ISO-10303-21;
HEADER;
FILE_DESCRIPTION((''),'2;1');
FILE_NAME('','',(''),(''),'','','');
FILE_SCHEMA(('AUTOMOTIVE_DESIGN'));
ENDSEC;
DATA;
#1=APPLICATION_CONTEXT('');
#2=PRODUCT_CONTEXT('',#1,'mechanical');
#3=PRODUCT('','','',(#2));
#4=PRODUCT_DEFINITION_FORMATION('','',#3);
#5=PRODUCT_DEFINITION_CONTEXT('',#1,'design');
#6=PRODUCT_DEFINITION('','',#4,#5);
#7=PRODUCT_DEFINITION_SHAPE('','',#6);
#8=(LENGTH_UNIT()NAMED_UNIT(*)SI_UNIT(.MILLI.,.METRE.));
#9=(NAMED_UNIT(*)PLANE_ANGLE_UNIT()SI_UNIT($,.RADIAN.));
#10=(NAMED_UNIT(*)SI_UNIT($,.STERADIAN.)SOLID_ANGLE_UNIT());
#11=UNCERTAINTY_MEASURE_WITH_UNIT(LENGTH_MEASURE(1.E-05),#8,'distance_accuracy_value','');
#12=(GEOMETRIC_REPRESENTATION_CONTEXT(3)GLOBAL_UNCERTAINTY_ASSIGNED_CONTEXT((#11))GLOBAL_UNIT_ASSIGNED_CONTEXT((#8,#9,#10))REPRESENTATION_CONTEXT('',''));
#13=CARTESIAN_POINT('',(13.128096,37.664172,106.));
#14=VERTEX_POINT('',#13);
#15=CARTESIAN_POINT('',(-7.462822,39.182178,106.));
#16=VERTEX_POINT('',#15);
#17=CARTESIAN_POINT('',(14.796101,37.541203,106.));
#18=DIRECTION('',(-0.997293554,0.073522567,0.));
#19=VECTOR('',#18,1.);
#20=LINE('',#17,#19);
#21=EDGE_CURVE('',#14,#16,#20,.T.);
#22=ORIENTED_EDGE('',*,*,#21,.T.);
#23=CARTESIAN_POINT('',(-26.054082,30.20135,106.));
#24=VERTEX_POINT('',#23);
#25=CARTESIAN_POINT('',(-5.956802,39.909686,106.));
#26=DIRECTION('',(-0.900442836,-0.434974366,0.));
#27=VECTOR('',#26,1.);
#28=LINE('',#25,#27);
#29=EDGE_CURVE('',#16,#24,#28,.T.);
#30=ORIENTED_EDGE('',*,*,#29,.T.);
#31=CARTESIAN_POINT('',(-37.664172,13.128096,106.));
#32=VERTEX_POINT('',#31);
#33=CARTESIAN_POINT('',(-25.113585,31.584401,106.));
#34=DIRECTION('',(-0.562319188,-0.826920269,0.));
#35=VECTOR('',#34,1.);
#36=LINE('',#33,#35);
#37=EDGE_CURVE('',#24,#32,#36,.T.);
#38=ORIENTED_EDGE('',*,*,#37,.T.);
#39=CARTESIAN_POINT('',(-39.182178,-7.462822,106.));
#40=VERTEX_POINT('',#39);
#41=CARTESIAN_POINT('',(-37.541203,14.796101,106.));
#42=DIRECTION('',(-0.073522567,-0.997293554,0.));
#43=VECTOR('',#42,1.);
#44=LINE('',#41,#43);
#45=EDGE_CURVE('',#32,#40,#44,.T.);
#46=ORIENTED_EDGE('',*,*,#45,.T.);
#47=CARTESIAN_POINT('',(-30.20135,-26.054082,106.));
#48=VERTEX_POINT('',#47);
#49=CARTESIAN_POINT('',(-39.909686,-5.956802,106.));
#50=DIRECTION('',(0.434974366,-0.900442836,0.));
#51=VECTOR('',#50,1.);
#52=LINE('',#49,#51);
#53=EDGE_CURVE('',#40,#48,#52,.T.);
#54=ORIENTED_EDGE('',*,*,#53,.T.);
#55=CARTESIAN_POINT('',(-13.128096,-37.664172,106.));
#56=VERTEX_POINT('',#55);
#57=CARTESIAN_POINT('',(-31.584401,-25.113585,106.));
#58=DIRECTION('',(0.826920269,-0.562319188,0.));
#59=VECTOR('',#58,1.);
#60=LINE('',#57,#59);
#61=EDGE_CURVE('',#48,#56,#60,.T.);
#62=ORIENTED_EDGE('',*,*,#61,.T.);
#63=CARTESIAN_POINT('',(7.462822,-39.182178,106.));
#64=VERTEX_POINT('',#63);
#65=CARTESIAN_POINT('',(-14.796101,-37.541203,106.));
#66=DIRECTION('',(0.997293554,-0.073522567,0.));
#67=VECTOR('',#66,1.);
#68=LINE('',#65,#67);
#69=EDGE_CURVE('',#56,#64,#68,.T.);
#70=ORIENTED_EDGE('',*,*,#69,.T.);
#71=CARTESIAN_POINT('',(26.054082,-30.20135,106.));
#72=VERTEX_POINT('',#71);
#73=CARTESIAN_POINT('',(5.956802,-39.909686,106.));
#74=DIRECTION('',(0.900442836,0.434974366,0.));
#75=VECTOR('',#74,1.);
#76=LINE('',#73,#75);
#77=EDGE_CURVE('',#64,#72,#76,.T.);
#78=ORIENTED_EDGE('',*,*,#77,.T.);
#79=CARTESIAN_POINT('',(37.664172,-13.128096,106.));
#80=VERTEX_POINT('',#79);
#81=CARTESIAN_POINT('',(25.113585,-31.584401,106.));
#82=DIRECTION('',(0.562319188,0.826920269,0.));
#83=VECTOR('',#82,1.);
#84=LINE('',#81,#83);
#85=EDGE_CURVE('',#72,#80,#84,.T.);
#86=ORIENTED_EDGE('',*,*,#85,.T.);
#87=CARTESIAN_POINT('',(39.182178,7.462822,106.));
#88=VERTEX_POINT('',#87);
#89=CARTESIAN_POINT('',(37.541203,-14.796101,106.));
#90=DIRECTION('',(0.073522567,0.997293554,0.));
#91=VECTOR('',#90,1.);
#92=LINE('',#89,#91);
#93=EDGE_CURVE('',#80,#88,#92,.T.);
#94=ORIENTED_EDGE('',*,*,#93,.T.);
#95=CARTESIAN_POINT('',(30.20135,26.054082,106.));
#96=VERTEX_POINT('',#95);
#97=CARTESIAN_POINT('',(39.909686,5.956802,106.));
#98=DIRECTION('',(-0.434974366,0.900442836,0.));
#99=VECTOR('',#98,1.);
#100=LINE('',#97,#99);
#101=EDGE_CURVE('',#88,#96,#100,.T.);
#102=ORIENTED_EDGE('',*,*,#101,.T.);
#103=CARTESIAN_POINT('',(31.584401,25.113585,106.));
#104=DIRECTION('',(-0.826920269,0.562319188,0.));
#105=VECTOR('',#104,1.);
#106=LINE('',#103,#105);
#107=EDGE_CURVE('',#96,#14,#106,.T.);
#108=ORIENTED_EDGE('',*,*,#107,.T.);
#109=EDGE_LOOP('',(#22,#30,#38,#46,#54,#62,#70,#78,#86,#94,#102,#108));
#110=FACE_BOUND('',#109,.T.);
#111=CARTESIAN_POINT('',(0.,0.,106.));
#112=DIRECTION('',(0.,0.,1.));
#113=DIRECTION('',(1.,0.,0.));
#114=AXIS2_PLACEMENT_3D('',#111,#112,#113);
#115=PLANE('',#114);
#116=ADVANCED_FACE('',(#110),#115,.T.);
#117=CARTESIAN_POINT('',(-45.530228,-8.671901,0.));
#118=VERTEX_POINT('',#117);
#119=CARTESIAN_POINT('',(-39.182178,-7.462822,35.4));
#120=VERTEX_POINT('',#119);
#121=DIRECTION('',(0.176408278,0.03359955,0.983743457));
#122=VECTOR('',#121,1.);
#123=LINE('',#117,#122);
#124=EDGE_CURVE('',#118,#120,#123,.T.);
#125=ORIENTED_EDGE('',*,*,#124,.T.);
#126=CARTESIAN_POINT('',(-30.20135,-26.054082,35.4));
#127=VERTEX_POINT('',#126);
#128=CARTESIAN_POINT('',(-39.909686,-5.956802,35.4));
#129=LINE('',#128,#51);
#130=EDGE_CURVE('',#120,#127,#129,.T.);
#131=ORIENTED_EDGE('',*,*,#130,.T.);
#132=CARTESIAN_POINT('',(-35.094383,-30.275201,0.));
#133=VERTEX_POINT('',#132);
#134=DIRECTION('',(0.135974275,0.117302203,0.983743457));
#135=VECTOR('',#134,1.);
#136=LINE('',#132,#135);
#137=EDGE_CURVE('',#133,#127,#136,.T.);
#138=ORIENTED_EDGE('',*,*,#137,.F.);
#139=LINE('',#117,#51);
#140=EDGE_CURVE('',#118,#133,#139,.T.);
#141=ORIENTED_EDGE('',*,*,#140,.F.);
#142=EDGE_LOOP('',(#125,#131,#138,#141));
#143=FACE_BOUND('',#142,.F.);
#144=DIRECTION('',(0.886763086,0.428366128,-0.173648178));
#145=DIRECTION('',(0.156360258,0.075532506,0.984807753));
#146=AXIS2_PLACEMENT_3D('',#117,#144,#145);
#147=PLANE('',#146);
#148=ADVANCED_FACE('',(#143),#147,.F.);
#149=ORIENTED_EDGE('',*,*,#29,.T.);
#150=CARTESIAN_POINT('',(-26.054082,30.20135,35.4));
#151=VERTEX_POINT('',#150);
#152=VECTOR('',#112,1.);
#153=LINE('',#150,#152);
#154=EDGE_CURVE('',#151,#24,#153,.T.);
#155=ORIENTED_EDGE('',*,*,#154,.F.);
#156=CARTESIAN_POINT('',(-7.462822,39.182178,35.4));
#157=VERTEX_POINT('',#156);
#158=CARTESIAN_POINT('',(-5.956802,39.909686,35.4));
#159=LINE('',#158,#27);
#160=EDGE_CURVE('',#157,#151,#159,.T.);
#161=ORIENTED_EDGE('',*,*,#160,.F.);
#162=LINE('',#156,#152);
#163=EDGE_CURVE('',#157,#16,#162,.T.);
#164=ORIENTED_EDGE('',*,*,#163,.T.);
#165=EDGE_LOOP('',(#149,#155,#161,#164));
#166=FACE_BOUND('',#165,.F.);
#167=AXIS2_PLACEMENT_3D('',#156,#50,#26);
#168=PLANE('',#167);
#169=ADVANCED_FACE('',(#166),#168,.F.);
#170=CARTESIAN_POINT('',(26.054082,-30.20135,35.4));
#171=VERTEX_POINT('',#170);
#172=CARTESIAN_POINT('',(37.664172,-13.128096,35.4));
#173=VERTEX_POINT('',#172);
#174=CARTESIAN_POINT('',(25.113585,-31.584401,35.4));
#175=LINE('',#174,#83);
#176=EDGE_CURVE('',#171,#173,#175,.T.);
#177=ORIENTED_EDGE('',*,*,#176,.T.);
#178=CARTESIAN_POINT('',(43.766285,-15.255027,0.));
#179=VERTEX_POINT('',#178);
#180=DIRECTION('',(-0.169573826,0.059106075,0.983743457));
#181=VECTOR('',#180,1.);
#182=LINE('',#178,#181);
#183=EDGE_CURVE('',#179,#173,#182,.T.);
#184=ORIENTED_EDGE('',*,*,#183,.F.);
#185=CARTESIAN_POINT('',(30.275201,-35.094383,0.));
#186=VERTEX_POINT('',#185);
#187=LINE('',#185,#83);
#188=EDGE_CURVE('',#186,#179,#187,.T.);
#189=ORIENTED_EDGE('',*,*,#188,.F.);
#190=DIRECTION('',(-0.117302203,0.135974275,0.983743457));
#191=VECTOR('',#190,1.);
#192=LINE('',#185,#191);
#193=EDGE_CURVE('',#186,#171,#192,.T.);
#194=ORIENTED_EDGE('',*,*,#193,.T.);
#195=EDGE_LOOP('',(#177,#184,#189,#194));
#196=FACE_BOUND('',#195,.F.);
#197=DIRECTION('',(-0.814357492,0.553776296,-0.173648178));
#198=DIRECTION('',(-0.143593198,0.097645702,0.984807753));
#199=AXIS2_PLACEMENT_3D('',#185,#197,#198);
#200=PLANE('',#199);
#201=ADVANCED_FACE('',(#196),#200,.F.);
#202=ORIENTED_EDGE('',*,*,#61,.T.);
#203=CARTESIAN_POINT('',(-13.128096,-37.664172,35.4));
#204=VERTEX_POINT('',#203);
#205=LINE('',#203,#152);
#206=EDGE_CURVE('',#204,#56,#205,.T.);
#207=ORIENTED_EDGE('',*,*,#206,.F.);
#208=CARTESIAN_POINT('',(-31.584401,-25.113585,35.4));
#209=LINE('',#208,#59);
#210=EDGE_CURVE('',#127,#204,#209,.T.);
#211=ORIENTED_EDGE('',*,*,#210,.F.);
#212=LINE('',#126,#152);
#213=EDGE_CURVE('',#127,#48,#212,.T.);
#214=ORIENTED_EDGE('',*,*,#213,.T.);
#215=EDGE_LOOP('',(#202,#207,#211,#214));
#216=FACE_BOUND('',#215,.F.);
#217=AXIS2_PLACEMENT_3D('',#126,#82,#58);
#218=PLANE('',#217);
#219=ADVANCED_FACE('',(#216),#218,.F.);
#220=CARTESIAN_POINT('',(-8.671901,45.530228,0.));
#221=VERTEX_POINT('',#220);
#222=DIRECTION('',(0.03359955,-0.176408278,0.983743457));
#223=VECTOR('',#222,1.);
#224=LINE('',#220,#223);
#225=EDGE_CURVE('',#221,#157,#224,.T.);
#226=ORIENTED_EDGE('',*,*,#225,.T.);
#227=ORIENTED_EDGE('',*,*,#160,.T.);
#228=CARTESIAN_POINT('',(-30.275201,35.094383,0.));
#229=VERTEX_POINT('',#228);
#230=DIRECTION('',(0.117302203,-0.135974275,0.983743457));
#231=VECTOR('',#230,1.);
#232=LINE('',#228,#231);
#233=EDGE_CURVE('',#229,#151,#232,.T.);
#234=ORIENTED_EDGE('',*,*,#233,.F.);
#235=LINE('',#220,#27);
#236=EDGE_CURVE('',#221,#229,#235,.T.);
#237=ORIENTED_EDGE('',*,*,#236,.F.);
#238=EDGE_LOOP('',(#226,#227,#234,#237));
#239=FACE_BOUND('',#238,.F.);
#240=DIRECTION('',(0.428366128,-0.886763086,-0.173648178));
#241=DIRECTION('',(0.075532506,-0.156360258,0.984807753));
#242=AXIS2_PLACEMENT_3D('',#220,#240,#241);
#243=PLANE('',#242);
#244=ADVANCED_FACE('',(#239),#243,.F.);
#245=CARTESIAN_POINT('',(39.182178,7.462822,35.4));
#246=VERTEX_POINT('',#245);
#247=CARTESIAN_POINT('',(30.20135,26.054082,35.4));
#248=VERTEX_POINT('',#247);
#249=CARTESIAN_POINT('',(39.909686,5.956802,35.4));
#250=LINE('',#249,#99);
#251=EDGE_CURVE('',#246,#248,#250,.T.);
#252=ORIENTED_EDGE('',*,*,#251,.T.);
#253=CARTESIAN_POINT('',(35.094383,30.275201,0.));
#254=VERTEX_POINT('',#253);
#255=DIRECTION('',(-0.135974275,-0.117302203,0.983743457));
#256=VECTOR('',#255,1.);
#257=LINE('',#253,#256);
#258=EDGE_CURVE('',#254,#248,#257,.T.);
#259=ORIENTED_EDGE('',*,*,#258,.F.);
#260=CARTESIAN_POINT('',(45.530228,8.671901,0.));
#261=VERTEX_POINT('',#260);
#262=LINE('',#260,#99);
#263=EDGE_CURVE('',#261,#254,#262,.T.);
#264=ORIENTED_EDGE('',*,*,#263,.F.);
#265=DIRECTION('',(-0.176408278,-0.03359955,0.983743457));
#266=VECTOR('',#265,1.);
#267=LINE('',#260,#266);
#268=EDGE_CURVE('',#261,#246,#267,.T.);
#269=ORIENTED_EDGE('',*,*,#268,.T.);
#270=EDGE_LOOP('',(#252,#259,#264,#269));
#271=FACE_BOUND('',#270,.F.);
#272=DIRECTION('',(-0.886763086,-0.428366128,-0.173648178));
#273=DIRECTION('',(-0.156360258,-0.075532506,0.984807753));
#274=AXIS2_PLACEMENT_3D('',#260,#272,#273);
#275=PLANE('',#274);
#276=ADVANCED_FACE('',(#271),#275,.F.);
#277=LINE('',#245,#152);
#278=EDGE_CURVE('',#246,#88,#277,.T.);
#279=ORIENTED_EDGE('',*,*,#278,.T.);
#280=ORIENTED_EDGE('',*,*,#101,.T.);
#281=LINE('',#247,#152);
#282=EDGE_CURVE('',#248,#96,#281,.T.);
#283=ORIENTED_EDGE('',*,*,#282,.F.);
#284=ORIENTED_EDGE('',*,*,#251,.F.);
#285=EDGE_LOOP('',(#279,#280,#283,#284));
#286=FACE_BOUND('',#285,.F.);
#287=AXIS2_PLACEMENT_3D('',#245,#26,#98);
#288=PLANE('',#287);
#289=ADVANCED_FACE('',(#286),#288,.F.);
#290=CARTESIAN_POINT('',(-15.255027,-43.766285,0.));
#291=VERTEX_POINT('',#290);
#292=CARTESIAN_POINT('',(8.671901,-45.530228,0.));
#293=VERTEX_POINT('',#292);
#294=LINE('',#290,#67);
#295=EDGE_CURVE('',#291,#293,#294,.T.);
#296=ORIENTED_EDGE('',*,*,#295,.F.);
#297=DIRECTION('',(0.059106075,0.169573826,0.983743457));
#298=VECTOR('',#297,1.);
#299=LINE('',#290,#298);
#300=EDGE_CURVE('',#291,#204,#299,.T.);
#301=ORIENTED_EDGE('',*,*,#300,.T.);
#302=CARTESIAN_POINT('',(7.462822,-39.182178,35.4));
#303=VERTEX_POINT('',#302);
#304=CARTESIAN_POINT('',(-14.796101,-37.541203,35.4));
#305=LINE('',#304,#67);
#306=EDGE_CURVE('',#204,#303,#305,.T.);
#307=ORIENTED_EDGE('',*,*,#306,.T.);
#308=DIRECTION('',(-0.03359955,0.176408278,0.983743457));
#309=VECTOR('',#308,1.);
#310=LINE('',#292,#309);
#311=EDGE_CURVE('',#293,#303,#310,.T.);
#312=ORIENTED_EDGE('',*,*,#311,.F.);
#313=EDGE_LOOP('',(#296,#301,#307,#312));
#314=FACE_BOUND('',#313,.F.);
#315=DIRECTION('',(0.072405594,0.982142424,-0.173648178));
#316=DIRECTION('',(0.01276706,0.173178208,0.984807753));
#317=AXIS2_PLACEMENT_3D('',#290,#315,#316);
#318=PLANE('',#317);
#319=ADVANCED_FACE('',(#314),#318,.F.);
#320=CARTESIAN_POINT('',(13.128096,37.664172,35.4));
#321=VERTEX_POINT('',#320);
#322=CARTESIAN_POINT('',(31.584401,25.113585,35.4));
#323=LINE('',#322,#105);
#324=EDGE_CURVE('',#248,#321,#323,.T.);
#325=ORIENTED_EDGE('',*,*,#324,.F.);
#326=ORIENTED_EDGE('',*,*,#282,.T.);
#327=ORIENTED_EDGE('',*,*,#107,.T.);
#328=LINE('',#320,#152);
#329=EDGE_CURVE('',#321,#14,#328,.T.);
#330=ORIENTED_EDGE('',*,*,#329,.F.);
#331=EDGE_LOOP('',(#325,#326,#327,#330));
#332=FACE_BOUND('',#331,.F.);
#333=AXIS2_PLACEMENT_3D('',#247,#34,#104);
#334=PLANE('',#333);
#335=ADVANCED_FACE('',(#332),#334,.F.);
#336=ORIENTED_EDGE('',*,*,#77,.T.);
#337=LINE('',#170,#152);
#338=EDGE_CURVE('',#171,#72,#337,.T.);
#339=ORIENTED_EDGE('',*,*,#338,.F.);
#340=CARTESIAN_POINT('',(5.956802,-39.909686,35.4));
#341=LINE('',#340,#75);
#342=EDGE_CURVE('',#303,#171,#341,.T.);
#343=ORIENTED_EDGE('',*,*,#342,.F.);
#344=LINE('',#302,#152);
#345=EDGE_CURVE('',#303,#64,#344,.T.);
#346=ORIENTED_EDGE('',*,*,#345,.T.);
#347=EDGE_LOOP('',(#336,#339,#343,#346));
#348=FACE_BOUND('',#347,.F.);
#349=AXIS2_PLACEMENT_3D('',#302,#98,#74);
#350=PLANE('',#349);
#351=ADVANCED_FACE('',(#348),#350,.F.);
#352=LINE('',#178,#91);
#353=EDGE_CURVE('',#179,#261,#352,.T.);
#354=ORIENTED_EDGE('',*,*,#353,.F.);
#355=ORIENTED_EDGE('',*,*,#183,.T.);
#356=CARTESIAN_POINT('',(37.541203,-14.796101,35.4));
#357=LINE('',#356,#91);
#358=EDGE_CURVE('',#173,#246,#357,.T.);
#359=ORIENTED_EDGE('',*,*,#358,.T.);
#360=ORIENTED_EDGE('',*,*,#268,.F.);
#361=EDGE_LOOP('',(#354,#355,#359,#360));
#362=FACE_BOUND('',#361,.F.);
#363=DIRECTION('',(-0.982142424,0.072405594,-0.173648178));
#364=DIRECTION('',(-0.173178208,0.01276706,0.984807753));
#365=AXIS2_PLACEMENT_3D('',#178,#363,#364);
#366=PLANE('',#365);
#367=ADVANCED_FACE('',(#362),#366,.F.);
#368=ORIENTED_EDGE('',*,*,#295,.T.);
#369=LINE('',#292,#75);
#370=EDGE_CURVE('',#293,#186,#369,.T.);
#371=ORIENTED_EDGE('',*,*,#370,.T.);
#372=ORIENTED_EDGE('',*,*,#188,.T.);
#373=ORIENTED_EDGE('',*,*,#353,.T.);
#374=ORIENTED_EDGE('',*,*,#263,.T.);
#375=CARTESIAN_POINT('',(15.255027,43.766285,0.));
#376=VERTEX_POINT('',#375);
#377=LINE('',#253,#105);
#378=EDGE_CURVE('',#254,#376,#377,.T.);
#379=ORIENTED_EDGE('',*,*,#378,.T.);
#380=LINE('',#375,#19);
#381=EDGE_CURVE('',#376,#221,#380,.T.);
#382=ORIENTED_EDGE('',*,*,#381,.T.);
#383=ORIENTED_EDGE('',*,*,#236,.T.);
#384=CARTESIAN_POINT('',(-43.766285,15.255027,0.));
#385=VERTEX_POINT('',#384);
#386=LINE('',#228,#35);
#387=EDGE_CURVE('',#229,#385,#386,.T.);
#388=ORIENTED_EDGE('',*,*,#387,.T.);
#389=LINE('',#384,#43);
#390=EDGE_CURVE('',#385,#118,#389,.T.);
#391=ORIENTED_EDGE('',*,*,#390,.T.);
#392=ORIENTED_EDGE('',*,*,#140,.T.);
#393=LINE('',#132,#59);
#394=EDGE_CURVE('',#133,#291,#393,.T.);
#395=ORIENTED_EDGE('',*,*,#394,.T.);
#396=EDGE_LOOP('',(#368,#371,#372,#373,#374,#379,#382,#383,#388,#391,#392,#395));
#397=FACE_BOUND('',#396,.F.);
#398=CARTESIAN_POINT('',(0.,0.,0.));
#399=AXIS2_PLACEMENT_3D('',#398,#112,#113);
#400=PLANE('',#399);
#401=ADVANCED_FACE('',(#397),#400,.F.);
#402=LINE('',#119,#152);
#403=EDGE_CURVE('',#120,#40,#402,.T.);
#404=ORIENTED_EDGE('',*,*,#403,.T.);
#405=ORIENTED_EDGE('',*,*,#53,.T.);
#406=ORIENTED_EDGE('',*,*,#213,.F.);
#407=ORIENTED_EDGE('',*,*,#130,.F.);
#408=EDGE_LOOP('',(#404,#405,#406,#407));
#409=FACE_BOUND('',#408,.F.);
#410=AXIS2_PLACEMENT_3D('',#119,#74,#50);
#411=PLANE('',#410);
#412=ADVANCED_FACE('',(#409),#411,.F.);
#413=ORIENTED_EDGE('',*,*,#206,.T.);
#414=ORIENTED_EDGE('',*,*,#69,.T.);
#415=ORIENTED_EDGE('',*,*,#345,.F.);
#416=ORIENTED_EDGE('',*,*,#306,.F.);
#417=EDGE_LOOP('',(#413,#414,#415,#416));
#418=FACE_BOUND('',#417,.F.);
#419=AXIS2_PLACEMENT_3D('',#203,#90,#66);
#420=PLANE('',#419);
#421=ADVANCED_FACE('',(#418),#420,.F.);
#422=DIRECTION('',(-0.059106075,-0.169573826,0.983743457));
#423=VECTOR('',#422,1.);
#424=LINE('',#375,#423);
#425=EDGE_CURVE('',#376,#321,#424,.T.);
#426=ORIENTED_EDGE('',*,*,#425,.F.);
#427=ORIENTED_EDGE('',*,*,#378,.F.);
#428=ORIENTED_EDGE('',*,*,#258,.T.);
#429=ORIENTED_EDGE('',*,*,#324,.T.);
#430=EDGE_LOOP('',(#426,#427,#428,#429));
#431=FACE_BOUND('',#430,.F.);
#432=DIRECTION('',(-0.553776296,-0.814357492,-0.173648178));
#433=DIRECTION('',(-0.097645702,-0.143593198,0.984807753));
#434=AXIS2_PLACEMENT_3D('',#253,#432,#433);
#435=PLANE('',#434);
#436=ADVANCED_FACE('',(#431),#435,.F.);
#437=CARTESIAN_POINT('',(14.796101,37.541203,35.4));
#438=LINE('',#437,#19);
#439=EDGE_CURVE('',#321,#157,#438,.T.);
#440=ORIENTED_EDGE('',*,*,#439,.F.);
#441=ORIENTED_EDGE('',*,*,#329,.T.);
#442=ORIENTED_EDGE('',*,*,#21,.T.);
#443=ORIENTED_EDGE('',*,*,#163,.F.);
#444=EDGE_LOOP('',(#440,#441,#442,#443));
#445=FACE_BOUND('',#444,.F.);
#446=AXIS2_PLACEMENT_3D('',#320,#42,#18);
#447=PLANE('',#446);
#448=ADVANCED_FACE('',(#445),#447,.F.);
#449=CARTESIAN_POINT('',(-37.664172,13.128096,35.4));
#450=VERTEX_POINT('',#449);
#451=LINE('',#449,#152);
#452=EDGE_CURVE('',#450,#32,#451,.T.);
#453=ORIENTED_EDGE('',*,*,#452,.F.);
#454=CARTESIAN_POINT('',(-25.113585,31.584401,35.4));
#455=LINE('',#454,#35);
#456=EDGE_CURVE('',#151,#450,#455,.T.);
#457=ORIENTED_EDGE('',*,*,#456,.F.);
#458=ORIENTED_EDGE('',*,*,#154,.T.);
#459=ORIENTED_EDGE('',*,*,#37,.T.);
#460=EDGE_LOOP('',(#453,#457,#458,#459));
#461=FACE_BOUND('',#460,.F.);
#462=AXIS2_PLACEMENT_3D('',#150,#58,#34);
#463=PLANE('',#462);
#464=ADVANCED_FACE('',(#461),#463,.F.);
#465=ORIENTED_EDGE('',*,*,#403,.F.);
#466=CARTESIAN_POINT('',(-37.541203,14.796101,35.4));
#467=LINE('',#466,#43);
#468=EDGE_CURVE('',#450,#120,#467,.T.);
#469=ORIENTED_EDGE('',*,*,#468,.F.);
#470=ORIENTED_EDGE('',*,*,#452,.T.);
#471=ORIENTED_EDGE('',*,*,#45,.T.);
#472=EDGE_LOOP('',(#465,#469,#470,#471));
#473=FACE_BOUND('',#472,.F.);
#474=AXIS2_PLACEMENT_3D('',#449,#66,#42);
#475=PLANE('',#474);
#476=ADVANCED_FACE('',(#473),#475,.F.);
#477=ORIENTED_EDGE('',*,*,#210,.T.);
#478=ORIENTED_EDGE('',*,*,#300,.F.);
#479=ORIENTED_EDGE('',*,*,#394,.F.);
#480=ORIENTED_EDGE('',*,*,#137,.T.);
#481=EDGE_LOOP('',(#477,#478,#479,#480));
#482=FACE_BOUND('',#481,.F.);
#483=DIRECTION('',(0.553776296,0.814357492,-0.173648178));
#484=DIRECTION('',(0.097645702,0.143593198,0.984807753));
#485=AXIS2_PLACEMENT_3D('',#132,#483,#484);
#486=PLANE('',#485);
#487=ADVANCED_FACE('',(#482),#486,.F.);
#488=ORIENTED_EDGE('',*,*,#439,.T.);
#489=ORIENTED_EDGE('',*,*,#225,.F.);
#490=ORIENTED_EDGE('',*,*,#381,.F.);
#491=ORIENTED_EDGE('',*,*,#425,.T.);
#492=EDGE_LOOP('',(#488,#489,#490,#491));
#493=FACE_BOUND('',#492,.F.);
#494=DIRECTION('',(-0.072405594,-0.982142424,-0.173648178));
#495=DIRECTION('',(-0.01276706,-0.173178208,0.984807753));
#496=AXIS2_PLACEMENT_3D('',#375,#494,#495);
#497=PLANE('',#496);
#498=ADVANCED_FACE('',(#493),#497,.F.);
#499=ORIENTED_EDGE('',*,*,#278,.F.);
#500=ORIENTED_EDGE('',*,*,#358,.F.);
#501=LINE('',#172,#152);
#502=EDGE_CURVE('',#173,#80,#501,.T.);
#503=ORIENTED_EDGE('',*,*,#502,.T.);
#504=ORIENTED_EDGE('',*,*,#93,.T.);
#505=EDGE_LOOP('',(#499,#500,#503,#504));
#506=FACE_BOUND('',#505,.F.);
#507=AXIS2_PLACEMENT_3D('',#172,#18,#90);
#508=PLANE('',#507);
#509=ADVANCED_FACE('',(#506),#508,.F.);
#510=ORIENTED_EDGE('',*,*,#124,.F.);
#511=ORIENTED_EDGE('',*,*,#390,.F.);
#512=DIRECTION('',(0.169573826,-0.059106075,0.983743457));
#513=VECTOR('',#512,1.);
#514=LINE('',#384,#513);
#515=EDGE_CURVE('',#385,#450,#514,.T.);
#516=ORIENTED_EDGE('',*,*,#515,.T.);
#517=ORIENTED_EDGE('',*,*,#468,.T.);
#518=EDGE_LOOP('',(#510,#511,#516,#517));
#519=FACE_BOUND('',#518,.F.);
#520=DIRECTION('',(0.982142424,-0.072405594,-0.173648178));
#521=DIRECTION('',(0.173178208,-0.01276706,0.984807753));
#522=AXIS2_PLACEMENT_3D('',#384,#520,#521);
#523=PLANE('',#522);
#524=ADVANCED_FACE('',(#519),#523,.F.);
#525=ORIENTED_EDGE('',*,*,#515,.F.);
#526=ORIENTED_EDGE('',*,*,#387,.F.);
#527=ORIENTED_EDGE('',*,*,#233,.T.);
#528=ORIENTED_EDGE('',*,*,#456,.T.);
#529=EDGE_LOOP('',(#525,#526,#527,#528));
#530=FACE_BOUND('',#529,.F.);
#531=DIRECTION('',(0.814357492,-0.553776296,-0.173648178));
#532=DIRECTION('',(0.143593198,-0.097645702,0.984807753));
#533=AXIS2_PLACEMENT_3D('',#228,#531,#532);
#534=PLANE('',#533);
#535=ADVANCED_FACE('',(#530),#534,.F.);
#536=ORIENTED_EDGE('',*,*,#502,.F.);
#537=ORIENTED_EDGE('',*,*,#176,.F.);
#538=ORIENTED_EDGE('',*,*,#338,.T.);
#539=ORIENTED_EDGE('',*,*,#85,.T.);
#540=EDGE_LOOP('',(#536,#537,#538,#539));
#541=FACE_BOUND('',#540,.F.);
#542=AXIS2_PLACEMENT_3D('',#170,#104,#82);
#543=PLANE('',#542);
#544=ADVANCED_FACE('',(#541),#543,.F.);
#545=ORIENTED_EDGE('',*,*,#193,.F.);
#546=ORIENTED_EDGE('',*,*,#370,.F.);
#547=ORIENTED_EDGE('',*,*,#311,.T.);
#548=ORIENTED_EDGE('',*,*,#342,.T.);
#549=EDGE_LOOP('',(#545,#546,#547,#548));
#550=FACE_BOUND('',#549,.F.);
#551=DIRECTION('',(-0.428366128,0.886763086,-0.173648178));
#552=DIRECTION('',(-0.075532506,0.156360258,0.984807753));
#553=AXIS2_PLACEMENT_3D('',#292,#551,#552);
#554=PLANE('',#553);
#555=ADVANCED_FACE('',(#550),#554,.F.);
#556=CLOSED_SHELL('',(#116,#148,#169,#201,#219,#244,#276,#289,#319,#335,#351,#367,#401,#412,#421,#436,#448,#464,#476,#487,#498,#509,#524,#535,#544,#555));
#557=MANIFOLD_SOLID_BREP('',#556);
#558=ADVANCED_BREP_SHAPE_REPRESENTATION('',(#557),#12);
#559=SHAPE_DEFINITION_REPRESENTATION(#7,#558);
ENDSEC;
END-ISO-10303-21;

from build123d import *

# Parameters (mm, degrees)
F1_DEPTH = 35.4
F1_TAPER = 10
F2_DEPTH = 70.6


with BuildPart() as f1:
    # F0 (on Top) → F1 (new body)
    with BuildSketch(Plane.XY):
        Polygon((-30.2752009353, 35.0943834731), (-43.7662848512, 15.2550271502), (-45.5302280855, -8.6719013781), (-35.0943834731, -30.2752009353), (-15.2550271502, -43.7662848512), (8.6719013781, -45.5302280855), (30.2752009353, -35.0943834731), (43.7662848512, -15.2550271502), (45.5302280855, 8.6719013781), (35.0943834731, 30.2752009353), (15.2550271502, 43.7662848512), (-8.6719013781, 45.5302280855), align=None)
    extrude(amount=F1_DEPTH, taper=F1_TAPER)

    # F2 (add): a face of the model
    f2_faces = [f1.faces().sort_by_distance(p)[0] for p in [
        (0, 0, 35.4),
    ]]
    extrude(f2_faces, amount=F2_DEPTH)


solid = f1.part
